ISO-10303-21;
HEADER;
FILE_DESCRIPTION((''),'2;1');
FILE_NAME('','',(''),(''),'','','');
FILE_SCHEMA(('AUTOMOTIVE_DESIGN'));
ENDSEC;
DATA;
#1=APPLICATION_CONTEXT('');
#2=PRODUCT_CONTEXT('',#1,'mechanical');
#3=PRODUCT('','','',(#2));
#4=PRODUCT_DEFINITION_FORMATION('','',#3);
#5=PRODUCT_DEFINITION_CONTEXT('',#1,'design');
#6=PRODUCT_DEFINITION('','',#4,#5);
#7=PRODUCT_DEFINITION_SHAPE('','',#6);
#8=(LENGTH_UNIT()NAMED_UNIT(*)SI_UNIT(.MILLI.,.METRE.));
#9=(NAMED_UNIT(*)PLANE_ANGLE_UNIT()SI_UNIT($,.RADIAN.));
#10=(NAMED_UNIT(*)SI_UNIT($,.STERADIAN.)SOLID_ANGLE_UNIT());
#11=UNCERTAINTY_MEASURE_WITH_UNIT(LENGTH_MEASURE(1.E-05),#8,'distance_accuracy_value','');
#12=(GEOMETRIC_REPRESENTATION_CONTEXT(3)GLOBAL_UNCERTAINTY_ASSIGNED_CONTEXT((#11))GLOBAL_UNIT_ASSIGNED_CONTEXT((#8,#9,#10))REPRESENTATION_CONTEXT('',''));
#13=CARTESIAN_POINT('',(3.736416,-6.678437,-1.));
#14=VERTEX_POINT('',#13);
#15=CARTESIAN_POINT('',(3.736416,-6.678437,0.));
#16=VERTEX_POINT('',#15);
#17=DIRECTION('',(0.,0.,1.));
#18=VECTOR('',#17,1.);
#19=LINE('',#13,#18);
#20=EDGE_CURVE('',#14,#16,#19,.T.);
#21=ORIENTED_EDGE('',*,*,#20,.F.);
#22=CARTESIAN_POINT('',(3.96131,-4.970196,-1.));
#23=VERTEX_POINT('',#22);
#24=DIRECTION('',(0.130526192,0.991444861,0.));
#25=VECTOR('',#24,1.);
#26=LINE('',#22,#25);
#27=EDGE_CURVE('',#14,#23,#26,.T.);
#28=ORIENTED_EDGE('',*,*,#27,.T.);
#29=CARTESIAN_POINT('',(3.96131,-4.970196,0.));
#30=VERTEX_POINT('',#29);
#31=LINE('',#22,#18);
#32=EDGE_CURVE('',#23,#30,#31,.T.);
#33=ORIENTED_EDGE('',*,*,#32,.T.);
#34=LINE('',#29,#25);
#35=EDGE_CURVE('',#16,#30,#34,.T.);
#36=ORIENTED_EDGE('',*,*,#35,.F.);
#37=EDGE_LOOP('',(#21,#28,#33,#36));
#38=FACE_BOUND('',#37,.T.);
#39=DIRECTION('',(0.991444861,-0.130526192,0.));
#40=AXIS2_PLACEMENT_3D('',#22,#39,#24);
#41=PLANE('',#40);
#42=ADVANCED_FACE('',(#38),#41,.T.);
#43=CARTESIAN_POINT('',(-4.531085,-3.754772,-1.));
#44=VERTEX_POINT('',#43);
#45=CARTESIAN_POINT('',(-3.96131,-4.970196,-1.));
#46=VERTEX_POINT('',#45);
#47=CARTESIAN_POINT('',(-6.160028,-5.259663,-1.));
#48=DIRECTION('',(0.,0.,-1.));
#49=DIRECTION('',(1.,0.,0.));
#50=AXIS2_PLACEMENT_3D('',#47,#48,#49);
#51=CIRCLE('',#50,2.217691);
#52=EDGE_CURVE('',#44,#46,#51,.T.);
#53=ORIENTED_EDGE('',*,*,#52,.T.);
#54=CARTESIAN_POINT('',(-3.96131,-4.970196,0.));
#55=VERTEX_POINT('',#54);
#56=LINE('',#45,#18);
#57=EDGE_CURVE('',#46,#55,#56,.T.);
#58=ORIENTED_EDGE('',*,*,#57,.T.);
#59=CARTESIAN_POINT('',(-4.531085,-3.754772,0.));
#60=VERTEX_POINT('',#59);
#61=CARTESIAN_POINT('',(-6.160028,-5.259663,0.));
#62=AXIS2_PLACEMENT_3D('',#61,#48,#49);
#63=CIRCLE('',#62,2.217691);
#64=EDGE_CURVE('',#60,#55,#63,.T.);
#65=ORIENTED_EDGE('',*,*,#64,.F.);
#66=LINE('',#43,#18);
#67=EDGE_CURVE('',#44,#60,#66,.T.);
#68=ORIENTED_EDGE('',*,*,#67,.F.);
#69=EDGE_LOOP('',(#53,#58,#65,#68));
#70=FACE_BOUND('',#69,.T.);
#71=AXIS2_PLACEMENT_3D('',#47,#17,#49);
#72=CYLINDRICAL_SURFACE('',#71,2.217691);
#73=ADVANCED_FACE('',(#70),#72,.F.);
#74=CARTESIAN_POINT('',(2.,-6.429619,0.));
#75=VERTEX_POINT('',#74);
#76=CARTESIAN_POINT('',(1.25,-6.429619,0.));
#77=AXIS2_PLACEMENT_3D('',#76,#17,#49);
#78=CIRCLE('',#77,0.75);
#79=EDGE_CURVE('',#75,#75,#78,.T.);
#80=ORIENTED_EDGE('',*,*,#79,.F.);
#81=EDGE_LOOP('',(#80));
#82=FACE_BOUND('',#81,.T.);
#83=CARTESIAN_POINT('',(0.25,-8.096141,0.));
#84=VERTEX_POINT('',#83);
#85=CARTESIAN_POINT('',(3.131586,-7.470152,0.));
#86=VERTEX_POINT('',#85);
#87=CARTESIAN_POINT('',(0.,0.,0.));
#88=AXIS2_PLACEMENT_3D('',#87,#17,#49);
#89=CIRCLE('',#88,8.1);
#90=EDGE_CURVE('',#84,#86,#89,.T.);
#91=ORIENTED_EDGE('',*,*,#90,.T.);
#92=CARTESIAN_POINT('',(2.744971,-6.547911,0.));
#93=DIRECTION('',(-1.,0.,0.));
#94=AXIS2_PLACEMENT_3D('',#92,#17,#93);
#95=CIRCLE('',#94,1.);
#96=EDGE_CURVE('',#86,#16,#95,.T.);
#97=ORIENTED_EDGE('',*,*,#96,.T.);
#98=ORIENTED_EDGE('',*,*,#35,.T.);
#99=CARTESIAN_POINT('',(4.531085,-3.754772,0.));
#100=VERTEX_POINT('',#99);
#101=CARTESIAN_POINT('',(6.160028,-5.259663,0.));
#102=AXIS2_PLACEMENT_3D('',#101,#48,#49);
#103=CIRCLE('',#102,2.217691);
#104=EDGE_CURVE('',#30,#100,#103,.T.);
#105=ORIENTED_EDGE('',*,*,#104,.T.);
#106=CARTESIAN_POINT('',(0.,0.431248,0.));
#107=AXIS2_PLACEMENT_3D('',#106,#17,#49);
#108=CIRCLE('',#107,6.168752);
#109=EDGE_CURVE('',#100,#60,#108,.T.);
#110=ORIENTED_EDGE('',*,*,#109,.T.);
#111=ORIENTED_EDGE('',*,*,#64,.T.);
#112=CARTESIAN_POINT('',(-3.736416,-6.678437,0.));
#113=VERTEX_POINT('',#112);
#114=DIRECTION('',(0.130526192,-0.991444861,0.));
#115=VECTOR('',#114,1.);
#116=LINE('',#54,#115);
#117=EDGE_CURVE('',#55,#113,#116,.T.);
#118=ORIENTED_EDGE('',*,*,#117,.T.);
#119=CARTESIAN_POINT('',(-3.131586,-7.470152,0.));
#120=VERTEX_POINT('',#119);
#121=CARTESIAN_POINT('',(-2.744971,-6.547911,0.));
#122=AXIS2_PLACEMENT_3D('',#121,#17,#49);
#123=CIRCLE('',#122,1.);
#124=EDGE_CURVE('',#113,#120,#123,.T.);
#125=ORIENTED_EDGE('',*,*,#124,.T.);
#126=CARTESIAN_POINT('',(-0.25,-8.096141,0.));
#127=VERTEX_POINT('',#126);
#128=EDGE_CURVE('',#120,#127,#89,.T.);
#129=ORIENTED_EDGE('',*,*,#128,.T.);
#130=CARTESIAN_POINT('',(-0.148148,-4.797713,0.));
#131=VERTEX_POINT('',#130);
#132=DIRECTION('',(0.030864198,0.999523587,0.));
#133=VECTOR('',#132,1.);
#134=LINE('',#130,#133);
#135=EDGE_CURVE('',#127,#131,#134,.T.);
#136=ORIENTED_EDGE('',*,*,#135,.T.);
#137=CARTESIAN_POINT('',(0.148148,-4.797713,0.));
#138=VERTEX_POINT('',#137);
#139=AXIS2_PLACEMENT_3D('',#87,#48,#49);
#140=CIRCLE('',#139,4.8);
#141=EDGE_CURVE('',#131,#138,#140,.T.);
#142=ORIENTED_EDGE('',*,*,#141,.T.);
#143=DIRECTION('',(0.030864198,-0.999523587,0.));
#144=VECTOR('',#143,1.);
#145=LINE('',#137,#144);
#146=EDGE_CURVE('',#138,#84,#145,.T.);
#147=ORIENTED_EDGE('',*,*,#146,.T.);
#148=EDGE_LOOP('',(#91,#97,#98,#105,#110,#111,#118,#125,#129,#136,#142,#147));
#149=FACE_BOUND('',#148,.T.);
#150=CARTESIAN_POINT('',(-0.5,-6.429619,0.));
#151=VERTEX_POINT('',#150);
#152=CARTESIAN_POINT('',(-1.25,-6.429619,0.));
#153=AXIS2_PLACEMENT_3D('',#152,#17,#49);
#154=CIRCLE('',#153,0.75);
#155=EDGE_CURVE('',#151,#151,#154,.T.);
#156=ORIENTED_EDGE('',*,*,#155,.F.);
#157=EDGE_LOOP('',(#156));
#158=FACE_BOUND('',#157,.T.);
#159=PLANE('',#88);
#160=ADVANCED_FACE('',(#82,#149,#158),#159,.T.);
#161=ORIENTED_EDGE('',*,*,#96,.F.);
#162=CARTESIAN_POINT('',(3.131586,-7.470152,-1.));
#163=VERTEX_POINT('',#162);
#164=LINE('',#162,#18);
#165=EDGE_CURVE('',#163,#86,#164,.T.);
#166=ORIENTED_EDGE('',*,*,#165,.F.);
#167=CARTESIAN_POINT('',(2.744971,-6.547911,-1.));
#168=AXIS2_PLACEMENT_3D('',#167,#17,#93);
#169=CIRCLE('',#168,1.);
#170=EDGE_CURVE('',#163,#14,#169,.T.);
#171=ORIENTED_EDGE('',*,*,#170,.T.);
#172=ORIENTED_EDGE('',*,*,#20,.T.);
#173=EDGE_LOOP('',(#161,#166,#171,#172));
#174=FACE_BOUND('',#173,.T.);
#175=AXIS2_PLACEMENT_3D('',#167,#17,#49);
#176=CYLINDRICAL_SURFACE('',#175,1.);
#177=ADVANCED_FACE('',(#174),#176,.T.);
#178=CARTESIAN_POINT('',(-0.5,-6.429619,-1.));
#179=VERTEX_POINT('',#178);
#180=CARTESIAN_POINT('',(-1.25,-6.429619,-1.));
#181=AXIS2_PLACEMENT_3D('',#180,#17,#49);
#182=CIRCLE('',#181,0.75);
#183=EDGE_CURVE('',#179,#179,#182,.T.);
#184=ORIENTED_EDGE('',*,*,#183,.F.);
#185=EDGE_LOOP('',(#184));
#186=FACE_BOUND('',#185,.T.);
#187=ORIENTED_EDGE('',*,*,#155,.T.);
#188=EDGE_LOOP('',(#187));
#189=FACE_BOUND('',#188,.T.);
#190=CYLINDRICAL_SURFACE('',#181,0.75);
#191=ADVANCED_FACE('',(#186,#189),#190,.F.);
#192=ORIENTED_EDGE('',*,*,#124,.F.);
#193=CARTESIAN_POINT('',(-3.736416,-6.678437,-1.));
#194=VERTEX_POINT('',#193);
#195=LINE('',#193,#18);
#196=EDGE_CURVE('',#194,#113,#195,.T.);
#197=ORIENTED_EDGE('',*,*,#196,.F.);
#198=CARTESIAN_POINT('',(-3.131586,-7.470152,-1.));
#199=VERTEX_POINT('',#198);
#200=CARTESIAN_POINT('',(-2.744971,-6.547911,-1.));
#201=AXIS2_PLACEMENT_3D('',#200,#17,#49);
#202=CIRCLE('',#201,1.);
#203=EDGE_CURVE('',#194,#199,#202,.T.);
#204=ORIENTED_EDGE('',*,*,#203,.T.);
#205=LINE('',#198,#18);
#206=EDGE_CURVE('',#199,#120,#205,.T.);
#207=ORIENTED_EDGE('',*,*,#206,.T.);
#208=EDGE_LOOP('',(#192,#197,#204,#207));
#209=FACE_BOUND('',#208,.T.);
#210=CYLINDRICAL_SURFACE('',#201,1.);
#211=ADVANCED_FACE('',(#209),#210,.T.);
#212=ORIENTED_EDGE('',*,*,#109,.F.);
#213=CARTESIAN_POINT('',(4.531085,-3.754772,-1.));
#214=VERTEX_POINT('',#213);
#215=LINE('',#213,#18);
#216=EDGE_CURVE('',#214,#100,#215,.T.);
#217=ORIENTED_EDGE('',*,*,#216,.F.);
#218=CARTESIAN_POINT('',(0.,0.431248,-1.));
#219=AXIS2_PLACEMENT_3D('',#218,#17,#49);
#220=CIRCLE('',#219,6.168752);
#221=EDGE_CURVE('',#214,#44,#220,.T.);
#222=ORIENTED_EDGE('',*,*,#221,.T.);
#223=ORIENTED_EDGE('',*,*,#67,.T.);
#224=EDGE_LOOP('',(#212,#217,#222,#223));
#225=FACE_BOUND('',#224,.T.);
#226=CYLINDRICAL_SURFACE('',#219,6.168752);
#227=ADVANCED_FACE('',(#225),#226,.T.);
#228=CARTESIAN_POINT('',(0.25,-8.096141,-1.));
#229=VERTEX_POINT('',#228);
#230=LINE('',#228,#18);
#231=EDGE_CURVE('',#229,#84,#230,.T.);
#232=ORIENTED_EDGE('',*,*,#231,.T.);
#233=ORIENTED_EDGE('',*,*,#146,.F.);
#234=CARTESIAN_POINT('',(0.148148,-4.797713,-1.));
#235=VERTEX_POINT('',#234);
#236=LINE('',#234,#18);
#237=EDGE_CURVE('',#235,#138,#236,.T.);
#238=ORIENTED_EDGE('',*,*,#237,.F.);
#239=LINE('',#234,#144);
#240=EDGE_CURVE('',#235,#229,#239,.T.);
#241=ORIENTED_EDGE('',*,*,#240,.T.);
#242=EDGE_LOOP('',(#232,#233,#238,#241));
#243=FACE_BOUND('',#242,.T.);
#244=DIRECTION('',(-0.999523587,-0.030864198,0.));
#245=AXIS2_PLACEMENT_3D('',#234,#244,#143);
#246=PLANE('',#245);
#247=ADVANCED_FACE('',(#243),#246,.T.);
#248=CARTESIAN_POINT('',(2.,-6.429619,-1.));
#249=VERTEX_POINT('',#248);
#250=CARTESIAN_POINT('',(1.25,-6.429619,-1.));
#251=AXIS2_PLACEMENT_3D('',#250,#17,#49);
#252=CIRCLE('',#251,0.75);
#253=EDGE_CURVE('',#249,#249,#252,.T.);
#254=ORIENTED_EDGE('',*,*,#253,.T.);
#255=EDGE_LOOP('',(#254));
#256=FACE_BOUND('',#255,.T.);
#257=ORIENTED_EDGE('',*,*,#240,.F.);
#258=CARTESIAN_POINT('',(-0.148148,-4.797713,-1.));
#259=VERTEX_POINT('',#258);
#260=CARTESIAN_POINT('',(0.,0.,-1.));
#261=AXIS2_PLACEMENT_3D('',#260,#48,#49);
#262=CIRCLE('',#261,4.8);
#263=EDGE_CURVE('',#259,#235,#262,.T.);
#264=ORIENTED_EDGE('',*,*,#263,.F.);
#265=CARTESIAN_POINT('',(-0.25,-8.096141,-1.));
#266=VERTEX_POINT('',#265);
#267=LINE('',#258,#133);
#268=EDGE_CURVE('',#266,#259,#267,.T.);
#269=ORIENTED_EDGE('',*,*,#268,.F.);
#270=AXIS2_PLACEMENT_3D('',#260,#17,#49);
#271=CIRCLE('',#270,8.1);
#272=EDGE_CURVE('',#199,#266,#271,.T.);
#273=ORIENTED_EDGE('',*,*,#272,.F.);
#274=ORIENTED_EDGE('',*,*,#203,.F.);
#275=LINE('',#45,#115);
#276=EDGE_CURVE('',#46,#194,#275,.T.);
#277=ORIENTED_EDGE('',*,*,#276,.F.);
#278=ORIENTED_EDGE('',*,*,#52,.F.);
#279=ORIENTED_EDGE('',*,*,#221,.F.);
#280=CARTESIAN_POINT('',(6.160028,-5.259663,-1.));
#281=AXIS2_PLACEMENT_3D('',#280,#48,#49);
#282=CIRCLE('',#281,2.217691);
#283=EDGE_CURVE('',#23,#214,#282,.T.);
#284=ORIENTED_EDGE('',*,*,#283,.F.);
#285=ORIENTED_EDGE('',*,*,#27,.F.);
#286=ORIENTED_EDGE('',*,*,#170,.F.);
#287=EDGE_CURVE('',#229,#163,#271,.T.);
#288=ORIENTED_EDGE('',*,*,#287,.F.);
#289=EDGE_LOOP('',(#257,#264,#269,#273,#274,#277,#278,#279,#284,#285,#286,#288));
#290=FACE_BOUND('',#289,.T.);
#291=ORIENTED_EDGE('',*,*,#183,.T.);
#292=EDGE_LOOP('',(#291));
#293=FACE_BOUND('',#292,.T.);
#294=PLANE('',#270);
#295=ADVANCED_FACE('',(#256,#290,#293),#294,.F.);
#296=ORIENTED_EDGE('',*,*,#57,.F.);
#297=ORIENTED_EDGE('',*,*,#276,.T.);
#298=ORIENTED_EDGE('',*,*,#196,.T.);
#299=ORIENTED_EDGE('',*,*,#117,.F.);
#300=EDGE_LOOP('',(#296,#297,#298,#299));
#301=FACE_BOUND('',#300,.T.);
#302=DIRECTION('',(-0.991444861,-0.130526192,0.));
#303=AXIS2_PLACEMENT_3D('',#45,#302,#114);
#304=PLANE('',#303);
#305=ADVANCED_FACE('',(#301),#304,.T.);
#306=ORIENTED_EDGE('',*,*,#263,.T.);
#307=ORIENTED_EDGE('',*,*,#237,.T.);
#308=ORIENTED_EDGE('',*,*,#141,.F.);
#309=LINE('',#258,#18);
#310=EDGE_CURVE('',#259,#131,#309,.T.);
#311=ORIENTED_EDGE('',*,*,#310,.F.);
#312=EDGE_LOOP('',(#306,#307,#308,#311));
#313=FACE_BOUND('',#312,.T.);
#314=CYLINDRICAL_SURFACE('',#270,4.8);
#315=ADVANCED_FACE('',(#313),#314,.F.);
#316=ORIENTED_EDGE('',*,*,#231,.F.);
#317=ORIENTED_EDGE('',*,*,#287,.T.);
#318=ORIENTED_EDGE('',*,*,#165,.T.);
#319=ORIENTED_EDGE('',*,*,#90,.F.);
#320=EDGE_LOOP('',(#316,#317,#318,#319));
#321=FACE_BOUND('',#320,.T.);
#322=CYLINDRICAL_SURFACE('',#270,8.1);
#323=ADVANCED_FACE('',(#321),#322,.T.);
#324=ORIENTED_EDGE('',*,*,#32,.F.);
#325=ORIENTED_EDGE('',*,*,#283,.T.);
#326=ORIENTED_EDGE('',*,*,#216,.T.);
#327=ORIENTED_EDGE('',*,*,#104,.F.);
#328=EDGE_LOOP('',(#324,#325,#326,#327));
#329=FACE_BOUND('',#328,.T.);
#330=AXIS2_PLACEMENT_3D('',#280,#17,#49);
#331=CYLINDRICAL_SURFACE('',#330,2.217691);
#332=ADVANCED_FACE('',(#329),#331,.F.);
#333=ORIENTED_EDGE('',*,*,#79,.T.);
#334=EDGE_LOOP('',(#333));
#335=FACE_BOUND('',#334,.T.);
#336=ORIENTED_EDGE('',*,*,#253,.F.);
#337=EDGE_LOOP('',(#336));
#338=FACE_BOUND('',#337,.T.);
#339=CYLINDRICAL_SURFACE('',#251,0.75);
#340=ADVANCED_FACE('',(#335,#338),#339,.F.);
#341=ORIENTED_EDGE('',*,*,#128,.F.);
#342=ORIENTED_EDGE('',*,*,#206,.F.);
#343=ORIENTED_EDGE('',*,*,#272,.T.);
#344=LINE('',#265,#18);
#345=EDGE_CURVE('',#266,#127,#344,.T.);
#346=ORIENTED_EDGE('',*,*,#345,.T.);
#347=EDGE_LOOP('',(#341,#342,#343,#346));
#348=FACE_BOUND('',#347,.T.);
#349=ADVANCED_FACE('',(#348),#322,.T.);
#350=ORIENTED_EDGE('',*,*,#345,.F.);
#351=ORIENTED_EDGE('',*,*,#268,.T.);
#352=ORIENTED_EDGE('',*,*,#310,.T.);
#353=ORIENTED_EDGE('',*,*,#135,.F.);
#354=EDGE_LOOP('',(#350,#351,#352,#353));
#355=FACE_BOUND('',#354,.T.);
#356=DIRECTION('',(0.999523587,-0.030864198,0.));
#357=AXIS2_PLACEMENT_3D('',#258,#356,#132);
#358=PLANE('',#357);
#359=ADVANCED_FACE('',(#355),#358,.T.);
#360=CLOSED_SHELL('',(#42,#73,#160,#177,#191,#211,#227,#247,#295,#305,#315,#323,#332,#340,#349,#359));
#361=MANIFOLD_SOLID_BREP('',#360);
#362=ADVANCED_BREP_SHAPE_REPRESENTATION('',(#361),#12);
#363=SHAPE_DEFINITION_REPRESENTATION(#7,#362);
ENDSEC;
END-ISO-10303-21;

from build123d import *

# Parameters (mm, degrees)
BODYSKE_R  = 0.75
BODY_DEPTH = 1


with BuildPart() as part:
    # BodySke → Body (new body)
    with BuildSketch(Plane.XY):
        with BuildLine():
            Line((0.148148148, -4.797713218), (0.25, -8.096141056))
            ThreePointArc((0.25, -8.096141056), (1.719519522, -7.915380762), (3.131586442, -7.470151696))
            ThreePointArc((3.131586442, -7.470151696), (3.539619012, -7.15498098), (3.736415693, -6.678436938))
            Line((3.736415693, -6.678436938), (3.961309857, -4.970196166))
            ThreePointArc((3.961309857, -4.970196166), (4.15202859, -4.318338913), (4.531084927, -3.754771875))
            ThreePointArc((4.531084927, -3.754771875), (0, 6.6), (-4.531084927, -3.754771875))
            ThreePointArc((-4.531084927, -3.754771875), (-4.15202859, -4.318338913), (-3.961309857, -4.970196166))
            Line((-3.961309857, -4.970196166), (-3.736415693, -6.678436938))
            ThreePointArc((-3.736415693, -6.678436938), (-3.539619012, -7.15498098), (-3.131586442, -7.470151696))
            ThreePointArc((-3.131586442, -7.470151696), (-1.719519522, -7.915380762), (-0.25, -8.096141056))
            Line((-0.25, -8.096141056), (-0.148148148, -4.797713218))
            ThreePointArc((-0.148148148, -4.797713218), (0, 4.8), (0.148148148, -4.797713218))
        make_face()
        with Locations((1.25, -6.429618962)):
            Circle(BODYSKE_R, mode=Mode.SUBTRACT)
        with Locations((-1.25, -6.429618962)):
            Circle(BODYSKE_R, mode=Mode.SUBTRACT)
    extrude(amount=-BODY_DEPTH)


solid = part.part
